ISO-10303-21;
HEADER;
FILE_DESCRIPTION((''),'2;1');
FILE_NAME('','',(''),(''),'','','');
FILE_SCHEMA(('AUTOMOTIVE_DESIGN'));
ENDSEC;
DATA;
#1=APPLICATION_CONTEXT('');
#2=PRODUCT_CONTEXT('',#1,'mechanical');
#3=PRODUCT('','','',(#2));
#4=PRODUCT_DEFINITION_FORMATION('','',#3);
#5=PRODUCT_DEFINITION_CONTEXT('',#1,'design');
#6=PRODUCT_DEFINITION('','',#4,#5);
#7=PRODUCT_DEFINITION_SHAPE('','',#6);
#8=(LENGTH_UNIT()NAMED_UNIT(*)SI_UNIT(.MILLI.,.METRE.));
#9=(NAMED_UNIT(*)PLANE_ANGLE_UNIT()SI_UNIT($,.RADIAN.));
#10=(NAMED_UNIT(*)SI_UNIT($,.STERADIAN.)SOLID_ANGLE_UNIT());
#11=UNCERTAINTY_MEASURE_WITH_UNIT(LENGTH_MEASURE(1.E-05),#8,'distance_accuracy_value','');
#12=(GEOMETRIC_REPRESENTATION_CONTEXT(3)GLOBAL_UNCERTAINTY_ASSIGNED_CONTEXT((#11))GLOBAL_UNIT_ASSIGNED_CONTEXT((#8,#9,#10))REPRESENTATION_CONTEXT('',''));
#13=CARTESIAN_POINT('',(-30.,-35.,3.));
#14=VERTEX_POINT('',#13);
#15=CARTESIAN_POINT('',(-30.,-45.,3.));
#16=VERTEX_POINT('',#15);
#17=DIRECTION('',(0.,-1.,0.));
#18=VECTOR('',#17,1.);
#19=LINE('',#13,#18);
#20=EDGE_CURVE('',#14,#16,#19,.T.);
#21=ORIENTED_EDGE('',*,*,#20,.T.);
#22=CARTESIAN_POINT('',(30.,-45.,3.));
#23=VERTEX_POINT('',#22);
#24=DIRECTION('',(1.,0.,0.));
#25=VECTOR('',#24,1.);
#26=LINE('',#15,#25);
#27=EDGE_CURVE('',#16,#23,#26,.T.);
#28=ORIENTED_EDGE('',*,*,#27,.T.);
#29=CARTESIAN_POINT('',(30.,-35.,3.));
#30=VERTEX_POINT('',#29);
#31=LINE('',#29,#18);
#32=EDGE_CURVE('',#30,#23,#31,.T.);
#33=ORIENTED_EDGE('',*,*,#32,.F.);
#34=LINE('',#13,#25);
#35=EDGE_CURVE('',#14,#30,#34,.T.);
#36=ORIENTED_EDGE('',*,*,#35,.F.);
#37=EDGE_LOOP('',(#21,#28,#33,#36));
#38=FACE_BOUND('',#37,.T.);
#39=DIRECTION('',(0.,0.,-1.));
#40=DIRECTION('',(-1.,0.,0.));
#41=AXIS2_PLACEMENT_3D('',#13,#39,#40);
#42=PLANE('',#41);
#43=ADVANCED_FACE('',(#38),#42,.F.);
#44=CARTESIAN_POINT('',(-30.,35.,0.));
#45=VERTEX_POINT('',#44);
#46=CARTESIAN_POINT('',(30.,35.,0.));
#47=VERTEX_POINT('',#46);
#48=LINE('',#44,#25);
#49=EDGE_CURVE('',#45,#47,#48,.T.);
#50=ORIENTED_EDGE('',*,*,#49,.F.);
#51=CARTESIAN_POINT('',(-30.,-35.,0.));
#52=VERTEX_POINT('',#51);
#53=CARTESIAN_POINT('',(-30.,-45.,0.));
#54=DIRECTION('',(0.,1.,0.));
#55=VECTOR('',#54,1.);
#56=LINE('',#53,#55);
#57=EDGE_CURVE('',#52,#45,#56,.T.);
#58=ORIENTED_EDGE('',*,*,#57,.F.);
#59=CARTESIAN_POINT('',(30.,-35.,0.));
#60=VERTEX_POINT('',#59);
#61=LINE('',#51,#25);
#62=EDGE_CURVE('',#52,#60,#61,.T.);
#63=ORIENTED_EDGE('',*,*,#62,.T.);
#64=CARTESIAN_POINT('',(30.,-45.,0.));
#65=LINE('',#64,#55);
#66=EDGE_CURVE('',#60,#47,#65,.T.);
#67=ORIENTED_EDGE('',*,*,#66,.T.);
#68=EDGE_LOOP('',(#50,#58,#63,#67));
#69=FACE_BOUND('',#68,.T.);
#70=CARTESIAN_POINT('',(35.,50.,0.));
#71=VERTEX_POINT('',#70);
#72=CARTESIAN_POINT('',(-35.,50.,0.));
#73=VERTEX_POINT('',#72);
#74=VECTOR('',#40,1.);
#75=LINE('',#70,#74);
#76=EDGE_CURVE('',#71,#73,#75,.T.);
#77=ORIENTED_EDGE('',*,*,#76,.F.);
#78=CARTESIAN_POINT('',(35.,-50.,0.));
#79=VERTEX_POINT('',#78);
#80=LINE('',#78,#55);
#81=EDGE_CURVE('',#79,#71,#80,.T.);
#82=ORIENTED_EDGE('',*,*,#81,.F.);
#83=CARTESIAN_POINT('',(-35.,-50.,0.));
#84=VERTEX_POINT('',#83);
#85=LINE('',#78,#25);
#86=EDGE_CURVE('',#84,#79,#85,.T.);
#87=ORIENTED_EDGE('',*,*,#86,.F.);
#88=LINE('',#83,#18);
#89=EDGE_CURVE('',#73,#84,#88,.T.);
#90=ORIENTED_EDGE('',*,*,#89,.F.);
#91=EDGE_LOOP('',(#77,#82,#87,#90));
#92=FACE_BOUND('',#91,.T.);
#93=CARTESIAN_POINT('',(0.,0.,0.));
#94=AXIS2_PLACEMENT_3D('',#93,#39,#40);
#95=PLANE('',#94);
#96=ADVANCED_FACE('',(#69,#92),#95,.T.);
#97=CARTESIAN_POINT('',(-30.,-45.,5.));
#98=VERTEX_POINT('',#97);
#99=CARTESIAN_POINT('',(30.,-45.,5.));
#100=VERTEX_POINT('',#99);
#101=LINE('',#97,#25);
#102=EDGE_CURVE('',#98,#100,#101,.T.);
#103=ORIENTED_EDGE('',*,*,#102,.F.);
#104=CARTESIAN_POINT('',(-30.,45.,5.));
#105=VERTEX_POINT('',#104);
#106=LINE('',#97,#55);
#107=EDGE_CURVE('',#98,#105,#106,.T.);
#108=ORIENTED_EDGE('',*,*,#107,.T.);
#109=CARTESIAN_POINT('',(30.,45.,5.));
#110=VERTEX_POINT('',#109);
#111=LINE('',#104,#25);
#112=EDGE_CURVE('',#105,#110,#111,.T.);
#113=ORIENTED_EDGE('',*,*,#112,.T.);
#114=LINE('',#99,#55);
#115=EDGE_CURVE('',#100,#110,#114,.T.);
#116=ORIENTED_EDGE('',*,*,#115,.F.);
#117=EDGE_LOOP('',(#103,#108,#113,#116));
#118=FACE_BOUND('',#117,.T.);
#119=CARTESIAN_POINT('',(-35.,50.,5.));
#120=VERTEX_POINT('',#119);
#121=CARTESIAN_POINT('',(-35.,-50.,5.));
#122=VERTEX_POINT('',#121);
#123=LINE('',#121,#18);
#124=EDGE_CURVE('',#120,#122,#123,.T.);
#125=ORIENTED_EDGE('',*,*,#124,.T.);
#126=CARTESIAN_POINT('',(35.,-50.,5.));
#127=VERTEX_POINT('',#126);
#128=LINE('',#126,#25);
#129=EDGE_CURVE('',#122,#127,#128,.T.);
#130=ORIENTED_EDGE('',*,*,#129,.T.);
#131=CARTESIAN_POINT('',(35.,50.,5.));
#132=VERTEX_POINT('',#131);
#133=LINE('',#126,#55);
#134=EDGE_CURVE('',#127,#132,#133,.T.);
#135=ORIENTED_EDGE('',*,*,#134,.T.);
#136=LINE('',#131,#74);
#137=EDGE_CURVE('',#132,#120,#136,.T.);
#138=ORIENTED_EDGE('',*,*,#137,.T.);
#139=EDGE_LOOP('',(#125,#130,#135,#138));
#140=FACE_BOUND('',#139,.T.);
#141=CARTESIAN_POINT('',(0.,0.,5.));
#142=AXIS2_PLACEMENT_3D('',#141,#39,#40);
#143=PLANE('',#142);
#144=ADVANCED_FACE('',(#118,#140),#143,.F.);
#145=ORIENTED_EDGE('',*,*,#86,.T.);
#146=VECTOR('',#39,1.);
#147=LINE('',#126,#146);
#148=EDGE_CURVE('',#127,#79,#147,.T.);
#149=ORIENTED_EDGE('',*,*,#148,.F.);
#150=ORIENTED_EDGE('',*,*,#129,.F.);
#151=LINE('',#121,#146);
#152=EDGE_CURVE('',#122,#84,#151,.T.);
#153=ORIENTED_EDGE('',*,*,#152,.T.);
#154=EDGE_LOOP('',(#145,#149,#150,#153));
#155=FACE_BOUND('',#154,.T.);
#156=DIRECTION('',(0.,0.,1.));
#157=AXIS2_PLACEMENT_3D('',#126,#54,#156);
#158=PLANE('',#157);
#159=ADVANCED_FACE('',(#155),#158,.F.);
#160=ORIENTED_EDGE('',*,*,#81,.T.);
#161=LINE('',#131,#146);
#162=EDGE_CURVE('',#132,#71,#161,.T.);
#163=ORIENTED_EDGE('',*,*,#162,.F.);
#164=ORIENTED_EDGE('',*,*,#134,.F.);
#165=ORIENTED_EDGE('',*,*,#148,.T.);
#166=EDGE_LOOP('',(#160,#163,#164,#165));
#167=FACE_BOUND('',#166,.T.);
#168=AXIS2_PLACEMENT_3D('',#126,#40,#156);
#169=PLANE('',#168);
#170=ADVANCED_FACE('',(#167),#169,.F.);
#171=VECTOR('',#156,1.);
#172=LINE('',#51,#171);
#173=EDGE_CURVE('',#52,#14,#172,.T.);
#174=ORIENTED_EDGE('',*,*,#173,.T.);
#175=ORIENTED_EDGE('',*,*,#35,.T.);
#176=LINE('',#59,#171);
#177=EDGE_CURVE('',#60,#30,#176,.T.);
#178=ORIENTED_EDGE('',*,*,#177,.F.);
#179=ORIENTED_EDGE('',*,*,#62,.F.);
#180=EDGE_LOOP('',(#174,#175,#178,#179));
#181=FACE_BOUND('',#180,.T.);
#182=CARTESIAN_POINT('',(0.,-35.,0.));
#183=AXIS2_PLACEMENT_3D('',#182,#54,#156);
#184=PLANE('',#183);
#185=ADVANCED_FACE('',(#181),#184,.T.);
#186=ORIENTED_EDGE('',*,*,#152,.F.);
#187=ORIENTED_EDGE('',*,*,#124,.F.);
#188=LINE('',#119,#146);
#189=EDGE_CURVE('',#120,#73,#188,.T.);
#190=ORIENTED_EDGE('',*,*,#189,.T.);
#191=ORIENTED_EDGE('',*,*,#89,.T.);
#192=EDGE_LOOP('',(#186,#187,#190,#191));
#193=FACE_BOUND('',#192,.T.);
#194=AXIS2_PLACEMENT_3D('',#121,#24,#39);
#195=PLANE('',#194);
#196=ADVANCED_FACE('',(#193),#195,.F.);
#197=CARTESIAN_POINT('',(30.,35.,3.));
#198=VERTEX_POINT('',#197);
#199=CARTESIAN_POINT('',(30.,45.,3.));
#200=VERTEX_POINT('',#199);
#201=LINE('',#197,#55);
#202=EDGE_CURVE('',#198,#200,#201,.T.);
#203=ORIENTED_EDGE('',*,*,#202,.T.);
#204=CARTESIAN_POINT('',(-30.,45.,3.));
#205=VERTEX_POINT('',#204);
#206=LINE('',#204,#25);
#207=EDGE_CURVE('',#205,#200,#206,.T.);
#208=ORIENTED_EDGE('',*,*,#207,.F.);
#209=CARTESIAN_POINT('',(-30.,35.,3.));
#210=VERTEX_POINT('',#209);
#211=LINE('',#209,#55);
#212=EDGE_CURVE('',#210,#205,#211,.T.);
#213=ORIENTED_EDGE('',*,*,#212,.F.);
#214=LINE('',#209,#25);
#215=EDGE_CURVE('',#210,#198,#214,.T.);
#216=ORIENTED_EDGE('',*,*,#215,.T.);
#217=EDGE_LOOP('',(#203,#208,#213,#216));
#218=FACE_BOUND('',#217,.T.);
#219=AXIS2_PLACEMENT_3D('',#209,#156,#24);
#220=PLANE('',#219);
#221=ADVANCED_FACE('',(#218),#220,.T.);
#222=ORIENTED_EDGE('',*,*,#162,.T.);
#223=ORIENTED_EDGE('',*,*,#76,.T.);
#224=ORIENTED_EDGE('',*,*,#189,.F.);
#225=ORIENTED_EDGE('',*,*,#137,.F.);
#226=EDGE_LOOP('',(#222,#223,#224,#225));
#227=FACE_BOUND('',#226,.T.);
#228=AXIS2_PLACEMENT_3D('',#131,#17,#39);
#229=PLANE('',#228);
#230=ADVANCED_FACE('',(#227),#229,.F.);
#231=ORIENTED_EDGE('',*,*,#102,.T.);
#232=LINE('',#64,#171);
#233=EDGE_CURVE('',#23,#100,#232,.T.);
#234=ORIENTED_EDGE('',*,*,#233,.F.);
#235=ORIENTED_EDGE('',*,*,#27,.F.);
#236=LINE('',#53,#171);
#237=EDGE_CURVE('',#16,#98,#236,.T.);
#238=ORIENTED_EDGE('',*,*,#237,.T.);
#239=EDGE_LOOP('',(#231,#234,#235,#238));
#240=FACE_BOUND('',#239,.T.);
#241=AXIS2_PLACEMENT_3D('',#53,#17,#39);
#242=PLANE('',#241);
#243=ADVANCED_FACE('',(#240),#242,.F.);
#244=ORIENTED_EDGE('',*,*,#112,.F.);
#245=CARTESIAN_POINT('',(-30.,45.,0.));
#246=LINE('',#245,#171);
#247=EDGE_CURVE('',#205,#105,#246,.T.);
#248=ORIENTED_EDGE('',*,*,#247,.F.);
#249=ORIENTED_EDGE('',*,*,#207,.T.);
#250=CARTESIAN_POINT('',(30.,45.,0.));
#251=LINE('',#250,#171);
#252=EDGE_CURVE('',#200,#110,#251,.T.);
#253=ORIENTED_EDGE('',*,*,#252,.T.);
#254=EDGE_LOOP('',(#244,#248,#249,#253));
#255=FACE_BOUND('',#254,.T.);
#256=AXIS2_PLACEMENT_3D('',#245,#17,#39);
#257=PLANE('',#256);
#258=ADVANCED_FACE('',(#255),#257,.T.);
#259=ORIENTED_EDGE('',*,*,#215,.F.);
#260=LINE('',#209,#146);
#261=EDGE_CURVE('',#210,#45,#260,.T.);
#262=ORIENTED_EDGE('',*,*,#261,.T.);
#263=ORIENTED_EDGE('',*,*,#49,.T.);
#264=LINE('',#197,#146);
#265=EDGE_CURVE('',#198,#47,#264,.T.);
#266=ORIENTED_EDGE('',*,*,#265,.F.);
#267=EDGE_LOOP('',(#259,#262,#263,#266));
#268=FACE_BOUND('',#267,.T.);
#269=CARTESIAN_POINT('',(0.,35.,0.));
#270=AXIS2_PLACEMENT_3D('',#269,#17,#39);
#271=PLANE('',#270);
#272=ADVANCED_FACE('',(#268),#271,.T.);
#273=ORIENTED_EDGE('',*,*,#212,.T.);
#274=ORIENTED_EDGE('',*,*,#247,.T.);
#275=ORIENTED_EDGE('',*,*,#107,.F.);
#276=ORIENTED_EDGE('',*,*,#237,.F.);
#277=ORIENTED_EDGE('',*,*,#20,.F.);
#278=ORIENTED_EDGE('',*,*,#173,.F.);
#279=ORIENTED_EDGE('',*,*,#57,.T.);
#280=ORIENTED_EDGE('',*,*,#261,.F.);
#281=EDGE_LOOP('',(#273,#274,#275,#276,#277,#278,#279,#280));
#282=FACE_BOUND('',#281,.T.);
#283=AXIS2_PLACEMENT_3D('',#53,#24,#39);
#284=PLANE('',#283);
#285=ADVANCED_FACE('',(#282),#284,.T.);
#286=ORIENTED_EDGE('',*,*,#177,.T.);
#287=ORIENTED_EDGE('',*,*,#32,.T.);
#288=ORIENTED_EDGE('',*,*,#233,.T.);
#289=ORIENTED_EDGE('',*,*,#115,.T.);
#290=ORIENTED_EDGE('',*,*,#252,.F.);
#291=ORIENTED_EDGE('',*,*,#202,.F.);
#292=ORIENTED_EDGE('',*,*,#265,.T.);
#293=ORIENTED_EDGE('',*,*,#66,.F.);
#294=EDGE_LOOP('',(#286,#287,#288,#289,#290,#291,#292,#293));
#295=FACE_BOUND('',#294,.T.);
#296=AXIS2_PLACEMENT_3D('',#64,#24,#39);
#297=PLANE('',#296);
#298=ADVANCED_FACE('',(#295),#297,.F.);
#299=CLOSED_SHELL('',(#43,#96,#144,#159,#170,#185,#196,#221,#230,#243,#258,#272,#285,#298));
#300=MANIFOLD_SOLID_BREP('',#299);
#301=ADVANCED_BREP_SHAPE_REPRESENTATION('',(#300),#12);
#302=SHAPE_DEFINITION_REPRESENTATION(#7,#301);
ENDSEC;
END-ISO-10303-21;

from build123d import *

# Parameters (mm, degrees)
SKETCH1_W           = 100
SKETCH1_H           = 70
BOSS_EXTRUDE1_DEPTH = 5
SKETCH2_W           = 60
SKETCH2_H           = 90
CUT_EXTRUDE1_DEPTH  = 62.23724357
SKETCH4_W           = 60
SKETCH4_H           = 3
BOSS_EXTRUDE2_DEPTH = 10
SKETCH5_W           = 60
SKETCH5_H           = 3
BOSS_EXTRUDE3_DEPTH = 10


with BuildPart() as part:
    # Sketch1 → Boss-Extrude1 (new body)
    with BuildSketch(Plane(origin=(0, 0, 0), x_dir=(0, 1, 0), z_dir=(0, 0, 1))):
        Rectangle(SKETCH1_W, SKETCH1_H)
    extrude(amount=BOSS_EXTRUDE1_DEPTH)

    # Sketch2 → Cut-Extrude1 (cut, through all)
    with BuildSketch(Plane.XY.offset(5)):
        Rectangle(SKETCH2_W, SKETCH2_H)
    extrude(amount=-CUT_EXTRUDE1_DEPTH, mode=Mode.SUBTRACT)

    # Sketch4 → Boss-Extrude2 (add)
    with BuildSketch(Plane.XZ.offset(-45)):
        with Locations((0, 1.5)):
            Rectangle(SKETCH4_W, SKETCH4_H)
    extrude(amount=BOSS_EXTRUDE2_DEPTH)

    # Sketch5 → Boss-Extrude3 (add)
    with BuildSketch(Plane(origin=(-45, -45, 0), x_dir=(1, 0, 0), z_dir=(0, 1, 0))):
        with Locations((45, -1.5)):
            Rectangle(SKETCH5_W, SKETCH5_H)
    extrude(amount=BOSS_EXTRUDE3_DEPTH)


solid = part.part
